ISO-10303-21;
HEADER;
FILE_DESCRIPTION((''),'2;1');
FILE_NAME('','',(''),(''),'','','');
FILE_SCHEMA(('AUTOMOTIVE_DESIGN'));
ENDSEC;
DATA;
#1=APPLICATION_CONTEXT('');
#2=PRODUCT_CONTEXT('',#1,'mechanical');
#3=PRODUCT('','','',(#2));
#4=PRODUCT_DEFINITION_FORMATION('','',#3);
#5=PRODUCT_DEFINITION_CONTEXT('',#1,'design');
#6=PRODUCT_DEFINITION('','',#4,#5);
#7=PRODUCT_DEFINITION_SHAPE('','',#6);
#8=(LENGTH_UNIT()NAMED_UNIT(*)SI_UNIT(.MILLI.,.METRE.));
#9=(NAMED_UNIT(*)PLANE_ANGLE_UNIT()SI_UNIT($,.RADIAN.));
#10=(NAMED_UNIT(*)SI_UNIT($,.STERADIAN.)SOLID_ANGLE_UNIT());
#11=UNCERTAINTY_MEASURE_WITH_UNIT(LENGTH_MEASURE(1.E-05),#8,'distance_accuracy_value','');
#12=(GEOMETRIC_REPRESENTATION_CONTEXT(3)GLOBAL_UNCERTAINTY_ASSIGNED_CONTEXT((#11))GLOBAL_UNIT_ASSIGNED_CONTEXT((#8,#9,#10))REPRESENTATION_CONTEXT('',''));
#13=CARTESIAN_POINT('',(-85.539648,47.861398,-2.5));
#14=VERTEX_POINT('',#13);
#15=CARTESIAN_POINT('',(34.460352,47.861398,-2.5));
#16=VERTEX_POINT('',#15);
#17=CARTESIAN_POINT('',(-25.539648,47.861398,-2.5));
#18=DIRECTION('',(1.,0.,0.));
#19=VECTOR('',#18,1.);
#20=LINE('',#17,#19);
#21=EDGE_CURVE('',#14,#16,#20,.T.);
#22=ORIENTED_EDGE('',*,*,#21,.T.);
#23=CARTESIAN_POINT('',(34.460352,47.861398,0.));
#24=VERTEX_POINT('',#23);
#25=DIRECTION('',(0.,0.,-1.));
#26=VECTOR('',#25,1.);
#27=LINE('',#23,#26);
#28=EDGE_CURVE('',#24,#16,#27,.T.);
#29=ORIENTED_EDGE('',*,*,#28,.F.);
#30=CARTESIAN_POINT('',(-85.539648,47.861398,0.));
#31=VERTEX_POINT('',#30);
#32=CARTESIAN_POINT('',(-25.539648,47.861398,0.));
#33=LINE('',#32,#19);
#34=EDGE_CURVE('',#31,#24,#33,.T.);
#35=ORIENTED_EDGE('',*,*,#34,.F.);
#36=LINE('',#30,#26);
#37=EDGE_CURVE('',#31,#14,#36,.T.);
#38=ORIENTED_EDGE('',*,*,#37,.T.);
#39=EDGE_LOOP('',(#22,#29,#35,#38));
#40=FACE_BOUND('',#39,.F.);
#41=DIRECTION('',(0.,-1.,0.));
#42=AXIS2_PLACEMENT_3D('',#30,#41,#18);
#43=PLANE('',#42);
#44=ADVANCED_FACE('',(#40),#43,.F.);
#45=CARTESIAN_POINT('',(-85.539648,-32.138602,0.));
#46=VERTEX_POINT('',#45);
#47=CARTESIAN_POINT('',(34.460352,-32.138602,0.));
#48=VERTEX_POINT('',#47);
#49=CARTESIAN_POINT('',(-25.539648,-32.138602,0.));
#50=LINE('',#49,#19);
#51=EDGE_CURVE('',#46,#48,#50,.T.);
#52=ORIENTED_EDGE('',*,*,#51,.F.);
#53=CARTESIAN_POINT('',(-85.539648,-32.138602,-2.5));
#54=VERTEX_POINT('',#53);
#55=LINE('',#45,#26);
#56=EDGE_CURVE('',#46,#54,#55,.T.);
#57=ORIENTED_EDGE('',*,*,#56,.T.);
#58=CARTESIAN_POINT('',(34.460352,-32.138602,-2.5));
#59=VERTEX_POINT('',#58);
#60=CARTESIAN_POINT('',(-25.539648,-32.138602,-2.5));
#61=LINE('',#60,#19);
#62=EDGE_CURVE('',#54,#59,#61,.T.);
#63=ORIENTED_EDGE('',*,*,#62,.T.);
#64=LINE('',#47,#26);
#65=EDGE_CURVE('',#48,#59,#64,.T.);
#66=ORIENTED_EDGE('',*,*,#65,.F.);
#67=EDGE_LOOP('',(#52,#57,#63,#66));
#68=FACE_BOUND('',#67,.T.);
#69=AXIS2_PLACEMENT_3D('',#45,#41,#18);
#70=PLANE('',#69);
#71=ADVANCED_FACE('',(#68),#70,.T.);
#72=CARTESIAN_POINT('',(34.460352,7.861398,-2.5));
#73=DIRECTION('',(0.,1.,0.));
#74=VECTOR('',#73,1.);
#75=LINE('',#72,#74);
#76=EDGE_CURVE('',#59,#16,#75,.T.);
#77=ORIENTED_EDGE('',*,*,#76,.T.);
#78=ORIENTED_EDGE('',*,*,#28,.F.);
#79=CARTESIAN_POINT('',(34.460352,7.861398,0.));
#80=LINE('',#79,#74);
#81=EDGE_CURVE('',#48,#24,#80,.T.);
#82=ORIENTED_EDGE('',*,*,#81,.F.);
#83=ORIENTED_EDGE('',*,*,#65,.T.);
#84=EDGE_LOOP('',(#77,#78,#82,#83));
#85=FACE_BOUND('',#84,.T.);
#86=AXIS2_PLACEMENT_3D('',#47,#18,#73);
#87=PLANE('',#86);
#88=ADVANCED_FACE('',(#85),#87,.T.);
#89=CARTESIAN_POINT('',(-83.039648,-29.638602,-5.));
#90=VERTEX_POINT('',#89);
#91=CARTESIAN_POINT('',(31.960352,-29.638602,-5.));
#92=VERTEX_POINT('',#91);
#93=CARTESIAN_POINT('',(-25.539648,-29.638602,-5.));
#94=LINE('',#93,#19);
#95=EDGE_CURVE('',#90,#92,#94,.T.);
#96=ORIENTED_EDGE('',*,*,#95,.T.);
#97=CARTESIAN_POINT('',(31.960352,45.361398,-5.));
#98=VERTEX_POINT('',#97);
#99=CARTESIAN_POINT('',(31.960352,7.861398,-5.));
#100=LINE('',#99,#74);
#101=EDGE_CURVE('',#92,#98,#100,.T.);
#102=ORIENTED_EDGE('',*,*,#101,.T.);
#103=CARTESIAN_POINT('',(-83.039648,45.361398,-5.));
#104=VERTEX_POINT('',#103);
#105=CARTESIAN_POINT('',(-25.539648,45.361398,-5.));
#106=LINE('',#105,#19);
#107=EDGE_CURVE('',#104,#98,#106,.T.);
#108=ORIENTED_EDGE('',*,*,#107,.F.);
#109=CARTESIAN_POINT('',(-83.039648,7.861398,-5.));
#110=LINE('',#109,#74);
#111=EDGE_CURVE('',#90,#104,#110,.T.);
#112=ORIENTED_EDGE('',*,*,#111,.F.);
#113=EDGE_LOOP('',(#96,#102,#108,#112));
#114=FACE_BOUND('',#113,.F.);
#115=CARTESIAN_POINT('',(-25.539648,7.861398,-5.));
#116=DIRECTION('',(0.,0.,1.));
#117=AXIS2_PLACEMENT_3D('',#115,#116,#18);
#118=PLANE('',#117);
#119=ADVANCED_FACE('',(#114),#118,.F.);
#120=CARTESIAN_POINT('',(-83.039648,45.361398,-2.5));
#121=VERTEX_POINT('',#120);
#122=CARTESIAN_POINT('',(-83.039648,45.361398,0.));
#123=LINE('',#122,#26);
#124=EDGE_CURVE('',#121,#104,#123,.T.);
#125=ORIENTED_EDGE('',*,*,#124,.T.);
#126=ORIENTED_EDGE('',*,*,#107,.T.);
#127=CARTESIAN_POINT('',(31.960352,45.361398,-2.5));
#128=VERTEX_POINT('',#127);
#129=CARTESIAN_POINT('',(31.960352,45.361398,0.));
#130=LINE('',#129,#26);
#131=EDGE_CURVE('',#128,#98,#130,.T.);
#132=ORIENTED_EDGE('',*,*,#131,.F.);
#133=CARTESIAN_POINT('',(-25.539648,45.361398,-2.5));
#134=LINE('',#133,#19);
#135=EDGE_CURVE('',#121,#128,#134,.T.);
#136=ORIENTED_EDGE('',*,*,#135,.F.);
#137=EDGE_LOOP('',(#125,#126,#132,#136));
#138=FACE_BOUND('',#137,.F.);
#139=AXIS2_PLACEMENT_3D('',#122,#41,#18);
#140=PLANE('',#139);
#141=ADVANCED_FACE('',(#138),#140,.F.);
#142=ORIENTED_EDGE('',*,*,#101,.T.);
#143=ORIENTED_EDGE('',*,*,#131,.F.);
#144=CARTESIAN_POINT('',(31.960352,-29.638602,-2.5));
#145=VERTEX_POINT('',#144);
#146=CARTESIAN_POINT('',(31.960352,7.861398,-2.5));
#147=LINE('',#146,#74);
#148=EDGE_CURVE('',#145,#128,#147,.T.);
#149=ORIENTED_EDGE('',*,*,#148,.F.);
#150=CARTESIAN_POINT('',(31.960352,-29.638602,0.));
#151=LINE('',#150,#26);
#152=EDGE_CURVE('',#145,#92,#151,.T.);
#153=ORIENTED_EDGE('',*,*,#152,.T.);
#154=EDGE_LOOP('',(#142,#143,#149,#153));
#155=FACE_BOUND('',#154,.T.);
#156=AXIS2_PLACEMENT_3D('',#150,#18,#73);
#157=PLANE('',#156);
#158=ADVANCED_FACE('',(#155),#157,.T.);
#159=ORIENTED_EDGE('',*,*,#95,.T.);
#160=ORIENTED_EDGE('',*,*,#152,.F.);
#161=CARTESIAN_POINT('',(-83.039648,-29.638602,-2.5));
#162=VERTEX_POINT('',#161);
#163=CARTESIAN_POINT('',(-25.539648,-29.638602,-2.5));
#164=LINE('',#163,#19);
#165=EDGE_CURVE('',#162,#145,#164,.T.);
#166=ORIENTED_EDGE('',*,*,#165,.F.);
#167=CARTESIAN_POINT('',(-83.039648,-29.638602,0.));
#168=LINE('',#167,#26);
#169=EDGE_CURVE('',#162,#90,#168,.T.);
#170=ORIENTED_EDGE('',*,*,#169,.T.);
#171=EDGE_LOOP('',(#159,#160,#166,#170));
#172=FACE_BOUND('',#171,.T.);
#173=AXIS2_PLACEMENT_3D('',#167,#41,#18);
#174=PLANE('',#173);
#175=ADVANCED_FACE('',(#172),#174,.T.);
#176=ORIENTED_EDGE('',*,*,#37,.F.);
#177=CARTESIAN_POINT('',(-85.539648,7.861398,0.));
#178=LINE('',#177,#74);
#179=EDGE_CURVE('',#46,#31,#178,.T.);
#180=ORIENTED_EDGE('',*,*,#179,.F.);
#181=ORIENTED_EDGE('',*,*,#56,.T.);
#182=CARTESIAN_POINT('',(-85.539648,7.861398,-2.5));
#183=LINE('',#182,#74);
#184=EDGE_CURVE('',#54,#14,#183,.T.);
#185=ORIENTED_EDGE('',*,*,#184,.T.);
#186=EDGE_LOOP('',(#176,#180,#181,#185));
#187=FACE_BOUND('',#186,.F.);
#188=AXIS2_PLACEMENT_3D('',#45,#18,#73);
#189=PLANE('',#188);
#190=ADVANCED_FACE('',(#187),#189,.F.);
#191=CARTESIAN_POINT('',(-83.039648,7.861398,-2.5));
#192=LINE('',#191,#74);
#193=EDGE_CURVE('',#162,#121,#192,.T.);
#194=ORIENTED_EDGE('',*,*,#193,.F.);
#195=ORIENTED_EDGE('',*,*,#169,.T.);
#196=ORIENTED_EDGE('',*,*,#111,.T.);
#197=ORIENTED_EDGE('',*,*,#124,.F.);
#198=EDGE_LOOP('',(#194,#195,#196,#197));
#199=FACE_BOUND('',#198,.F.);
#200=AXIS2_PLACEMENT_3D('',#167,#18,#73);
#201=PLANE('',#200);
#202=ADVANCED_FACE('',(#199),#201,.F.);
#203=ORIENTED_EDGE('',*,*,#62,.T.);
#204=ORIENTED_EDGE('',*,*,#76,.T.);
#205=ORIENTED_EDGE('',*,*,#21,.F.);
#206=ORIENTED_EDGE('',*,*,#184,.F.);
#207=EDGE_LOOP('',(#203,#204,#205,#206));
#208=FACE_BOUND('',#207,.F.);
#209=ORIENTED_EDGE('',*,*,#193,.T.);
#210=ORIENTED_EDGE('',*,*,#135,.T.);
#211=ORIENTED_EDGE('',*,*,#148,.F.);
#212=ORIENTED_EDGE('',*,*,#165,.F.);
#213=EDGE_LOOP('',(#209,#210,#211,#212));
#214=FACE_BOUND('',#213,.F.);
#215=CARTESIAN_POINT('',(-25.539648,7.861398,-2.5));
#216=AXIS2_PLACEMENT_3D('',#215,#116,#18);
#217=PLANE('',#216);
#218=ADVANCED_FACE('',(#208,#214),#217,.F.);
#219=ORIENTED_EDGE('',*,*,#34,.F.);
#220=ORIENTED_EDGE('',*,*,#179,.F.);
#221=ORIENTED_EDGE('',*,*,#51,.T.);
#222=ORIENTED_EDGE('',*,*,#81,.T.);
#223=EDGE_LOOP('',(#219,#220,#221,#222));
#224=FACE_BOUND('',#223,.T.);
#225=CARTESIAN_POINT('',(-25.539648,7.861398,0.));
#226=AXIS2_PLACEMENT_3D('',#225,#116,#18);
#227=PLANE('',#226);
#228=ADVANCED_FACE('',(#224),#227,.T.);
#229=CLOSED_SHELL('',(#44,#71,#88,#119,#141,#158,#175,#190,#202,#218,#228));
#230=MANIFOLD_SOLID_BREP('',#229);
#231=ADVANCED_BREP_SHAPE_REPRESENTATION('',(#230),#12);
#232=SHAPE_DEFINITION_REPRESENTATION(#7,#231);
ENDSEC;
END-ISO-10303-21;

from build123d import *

# Parameters (mm, degrees)
F0_W     = 120
F0_H     = 80
F0_W_2   = 115
F0_H_2   = 75
F1_DEPTH = 2.5
F2_DEPTH = 5


with BuildPart() as f1:
    # F0 (on Top) → F1 (new body)
    with BuildSketch(Plane.XY):
        with Locations((-25.539648, 7.861398)):
            Rectangle(F0_W, F0_H)
        with Locations((-25.539648, 7.861398)):
            Rectangle(F0_W_2, F0_H_2, mode=Mode.SUBTRACT)
    extrude(amount=-F1_DEPTH)

    # F0 (on Top) → F2 (join)
    with BuildSketch(Plane.XY):
        with Locations((-25.539648, 7.861398)):
            Rectangle(F0_W_2, F0_H_2)
    extrude(amount=-F2_DEPTH)


solid = f1.part
